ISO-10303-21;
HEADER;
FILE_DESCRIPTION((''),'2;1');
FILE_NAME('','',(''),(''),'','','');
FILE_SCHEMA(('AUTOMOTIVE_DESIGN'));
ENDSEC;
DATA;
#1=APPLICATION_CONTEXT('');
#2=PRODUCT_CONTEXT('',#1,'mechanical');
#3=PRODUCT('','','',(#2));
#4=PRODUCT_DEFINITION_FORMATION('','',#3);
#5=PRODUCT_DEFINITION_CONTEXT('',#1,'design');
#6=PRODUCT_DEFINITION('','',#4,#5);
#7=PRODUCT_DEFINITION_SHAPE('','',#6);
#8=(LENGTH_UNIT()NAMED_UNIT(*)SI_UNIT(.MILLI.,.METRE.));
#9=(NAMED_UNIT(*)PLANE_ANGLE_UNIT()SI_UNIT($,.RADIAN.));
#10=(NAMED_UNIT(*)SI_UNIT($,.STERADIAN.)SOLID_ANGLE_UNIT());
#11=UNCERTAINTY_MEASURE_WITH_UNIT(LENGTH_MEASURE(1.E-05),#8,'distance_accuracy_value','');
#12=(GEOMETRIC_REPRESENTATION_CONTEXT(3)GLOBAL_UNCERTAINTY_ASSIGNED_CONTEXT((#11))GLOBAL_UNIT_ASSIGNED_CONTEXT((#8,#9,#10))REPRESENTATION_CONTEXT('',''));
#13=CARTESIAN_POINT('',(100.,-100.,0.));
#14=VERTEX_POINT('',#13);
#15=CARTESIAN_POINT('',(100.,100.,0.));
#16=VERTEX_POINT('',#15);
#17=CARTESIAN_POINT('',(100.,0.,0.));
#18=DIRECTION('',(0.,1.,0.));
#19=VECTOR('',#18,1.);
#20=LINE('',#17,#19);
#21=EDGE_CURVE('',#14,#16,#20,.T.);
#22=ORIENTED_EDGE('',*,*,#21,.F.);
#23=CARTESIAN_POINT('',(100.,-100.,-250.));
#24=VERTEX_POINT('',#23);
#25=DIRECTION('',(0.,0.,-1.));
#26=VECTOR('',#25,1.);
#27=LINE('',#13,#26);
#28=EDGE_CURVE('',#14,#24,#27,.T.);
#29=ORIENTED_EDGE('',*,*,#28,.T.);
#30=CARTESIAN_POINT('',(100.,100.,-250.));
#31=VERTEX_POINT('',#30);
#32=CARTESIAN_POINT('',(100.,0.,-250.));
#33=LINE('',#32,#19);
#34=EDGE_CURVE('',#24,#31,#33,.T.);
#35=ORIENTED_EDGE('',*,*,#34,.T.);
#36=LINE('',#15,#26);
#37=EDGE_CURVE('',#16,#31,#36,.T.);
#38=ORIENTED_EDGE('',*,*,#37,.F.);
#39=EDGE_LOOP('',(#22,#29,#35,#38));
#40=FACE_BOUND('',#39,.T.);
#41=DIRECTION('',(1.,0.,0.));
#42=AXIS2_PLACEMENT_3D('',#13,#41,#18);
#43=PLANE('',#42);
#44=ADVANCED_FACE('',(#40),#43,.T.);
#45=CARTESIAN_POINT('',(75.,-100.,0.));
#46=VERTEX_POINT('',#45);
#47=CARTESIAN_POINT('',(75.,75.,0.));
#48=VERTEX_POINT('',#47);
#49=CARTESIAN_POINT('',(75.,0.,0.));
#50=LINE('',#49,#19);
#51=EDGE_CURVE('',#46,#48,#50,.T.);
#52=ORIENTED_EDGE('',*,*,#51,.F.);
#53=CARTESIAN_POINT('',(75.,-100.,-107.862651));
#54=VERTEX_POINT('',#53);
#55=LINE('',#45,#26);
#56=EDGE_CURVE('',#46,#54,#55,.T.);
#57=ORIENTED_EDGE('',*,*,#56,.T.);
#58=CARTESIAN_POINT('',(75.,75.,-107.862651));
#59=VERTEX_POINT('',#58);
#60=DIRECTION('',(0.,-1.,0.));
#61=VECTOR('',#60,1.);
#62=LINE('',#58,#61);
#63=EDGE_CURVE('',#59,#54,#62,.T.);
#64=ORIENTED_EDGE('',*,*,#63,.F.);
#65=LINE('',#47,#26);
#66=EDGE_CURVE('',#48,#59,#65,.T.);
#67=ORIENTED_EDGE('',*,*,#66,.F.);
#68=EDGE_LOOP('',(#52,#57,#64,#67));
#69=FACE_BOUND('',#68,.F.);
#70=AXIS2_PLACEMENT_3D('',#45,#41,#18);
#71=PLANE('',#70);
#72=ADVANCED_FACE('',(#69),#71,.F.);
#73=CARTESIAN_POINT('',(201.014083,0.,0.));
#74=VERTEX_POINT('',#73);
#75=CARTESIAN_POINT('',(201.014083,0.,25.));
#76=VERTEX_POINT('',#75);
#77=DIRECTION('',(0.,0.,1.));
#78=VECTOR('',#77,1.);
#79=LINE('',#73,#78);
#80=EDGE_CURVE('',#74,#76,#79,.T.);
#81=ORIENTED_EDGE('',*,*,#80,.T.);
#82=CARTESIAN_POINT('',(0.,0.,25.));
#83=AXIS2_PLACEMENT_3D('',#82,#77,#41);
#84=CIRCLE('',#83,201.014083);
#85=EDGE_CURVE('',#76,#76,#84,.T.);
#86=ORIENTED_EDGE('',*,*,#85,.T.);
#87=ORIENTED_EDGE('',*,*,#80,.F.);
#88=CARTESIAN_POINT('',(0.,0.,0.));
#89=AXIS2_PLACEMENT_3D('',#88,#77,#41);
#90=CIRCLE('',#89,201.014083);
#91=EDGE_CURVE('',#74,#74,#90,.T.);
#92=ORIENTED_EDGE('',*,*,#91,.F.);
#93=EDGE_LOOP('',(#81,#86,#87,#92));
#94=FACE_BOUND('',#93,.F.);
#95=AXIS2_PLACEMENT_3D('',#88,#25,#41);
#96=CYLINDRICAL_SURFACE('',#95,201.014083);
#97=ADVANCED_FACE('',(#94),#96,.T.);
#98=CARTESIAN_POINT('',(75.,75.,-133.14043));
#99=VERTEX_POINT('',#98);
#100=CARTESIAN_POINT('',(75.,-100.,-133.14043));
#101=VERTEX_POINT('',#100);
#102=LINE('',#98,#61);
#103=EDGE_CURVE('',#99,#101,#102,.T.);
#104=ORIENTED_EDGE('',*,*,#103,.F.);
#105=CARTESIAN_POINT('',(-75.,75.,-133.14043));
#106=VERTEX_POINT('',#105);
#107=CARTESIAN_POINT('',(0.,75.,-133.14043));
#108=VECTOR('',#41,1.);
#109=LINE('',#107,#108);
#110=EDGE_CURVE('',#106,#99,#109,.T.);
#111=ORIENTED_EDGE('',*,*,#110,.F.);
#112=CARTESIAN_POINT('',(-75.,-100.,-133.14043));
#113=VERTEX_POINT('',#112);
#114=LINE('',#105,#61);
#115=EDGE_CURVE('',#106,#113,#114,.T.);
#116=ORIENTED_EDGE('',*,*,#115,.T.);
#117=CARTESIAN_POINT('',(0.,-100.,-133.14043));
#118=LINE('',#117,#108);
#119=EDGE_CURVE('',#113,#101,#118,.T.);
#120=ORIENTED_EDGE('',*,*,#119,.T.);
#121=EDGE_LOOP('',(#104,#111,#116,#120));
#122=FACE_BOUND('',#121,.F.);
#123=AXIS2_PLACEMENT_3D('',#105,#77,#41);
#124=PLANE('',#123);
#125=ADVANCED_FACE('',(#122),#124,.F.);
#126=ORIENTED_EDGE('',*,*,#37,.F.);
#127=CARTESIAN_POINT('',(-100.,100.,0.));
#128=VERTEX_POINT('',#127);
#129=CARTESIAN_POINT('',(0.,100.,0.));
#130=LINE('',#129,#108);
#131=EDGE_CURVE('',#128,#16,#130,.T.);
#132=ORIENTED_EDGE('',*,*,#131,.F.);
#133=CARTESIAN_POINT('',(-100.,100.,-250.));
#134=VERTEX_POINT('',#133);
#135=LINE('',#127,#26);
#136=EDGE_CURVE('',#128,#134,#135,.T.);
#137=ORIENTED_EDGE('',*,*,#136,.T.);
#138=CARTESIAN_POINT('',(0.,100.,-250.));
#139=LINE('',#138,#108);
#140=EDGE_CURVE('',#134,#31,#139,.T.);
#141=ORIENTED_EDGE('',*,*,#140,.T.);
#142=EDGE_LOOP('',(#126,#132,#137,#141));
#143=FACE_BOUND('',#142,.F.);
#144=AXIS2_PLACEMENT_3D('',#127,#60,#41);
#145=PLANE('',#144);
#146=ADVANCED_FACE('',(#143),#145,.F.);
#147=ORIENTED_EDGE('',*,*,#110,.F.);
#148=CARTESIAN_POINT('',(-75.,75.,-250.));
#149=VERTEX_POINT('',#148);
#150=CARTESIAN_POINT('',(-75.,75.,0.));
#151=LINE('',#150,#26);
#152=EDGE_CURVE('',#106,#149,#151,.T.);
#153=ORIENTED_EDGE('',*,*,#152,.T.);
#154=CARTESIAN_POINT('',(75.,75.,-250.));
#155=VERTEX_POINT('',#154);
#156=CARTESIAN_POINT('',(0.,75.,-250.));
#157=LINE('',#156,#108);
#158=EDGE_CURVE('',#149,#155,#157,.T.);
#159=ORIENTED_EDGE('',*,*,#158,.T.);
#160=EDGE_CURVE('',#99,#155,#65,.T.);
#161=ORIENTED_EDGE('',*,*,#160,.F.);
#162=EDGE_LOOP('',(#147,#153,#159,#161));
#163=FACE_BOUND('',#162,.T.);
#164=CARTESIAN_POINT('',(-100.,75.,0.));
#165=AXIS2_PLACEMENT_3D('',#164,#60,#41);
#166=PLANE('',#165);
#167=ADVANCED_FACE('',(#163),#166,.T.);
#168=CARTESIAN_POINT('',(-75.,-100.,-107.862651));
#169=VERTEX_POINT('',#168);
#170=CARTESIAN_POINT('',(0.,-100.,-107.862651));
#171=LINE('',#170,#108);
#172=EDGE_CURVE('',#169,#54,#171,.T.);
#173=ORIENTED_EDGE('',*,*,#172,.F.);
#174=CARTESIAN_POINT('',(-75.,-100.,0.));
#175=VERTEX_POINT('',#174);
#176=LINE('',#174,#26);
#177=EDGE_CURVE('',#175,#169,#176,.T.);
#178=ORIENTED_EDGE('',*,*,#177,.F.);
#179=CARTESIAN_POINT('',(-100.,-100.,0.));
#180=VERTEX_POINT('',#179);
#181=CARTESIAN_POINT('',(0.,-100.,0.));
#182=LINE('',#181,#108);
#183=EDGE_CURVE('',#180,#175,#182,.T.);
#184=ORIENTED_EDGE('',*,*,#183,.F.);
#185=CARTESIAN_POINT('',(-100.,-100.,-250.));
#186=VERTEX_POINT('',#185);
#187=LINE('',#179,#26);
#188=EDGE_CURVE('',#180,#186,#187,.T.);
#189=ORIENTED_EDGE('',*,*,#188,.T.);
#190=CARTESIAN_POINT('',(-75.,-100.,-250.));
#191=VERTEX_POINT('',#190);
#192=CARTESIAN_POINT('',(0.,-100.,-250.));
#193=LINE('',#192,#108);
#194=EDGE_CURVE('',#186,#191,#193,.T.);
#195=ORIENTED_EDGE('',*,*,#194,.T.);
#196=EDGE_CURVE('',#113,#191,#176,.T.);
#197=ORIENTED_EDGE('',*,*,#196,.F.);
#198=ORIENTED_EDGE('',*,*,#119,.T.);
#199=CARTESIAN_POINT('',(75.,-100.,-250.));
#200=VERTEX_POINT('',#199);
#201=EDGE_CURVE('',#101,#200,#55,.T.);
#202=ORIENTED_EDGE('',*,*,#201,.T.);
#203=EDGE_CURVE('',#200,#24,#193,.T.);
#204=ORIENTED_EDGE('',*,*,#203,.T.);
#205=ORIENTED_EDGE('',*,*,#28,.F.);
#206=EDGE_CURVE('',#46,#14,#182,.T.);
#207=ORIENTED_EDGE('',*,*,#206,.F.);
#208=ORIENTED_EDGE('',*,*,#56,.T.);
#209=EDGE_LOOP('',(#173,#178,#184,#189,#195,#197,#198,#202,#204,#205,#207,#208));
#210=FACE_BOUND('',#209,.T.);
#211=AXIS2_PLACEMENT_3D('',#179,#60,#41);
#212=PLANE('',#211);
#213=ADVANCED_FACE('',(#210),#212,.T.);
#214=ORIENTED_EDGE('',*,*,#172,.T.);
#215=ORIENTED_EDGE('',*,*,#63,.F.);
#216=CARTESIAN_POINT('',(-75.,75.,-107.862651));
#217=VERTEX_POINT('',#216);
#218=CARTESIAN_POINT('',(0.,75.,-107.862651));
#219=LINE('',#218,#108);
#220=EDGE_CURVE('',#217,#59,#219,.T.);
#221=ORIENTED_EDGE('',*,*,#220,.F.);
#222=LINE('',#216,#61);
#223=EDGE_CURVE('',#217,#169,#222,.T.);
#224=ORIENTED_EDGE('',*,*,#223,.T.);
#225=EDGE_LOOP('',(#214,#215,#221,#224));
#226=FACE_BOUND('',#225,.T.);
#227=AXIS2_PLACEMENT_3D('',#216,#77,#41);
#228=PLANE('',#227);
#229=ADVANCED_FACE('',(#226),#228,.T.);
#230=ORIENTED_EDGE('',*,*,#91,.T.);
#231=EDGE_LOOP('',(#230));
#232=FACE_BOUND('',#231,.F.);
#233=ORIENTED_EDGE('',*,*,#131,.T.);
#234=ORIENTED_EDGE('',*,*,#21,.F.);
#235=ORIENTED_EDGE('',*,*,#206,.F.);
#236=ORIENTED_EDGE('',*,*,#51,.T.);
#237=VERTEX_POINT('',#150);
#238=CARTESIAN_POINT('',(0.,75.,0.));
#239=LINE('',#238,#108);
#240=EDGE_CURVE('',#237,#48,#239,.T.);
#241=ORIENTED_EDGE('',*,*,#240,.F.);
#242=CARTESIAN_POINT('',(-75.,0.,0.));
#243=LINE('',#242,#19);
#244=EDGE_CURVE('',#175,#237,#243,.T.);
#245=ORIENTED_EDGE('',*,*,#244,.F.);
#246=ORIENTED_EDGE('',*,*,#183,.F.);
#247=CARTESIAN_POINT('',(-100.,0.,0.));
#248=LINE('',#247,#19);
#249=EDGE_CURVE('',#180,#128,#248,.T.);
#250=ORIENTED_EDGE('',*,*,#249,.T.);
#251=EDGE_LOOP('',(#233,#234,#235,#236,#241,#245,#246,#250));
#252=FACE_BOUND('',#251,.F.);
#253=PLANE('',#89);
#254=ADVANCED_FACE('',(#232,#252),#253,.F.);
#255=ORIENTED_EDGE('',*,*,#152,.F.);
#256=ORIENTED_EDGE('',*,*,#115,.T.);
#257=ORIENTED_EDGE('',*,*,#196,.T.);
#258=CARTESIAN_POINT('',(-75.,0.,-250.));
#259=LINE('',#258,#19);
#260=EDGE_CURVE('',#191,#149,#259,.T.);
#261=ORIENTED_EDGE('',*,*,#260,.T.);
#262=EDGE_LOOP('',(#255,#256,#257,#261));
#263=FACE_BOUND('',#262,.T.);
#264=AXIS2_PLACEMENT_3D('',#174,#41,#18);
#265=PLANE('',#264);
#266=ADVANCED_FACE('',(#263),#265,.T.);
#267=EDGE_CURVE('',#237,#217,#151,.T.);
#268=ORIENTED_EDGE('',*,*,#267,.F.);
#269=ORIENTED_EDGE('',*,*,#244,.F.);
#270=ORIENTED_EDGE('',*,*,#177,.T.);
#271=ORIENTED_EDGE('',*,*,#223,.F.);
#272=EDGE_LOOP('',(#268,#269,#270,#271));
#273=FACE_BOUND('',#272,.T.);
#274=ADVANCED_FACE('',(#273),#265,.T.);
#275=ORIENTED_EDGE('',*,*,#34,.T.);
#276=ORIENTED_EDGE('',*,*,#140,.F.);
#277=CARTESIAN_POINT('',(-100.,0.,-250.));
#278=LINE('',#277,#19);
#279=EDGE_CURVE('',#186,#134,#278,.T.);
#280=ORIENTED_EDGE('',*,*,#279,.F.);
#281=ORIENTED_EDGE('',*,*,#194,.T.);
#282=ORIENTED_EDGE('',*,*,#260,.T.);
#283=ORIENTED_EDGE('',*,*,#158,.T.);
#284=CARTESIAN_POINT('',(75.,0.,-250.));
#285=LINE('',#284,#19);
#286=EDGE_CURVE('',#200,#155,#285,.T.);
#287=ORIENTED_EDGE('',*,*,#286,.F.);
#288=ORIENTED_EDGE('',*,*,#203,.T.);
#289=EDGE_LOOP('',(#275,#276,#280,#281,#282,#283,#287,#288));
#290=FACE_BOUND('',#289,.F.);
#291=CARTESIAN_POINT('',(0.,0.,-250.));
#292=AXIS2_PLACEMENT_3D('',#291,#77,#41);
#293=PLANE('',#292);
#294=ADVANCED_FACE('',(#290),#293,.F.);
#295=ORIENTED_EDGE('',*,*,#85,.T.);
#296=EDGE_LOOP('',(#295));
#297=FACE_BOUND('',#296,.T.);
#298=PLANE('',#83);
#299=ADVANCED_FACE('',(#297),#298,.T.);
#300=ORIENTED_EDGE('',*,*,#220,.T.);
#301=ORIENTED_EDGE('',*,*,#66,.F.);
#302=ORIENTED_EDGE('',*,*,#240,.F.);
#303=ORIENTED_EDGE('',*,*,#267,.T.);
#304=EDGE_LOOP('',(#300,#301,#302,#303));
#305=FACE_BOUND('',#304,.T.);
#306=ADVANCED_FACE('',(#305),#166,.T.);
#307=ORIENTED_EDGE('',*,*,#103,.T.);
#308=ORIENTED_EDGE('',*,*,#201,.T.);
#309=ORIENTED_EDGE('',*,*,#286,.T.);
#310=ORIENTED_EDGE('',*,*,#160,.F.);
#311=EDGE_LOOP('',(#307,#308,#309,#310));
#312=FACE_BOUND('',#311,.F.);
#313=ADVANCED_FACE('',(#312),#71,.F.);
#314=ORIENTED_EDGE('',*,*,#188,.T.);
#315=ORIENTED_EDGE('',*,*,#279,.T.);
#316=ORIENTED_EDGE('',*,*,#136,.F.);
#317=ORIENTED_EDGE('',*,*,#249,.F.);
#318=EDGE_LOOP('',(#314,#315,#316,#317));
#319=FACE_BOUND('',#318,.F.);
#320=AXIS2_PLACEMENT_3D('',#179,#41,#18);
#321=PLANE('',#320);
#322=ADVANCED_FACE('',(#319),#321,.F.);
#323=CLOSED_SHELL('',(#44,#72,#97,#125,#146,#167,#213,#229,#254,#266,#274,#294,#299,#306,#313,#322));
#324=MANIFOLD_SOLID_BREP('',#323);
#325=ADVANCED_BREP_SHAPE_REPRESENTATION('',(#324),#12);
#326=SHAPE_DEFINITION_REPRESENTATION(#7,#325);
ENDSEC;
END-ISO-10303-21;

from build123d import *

# Parameters (mm, degrees)
F0_W     = 200
F0_H     = 200
F1_DEPTH = 250
F2_T     = -25
F3_W     = 150
F3_H     = 25.2777785063
F4_DEPTH = 175
F5_R     = 201.014082537
F6_DEPTH = 25


with BuildPart() as f1:
    # F0 (on Top) → F1 (new body)
    with BuildSketch(Plane.XY):
        Rectangle(F0_W, F0_H)
    extrude(amount=-F1_DEPTH)

    # F2
    f2_openings = [f1.faces().sort_by_distance(p)[0] for p in [
        (0, -100, -125),
        (0, 0, 0),
        (0, 0, -250),
    ]]
    offset(amount=F2_T, openings=f2_openings)

    # F3 (on face) → F4 (join)
    with BuildSketch(Plane.XZ.offset(-75)):
        with Locations((0, -120.5015406013)):
            Rectangle(F3_W, F3_H)
    extrude(amount=F4_DEPTH)

    # F5 (on face) → F6 (join)
    with BuildSketch(Plane.XY):
        Circle(F5_R)
        Polygon((-75, -100), (-100, -100), (-100, 100), (100, 100), (100, -100), (75, -100), (75, 75), (-75, 75), align=None, mode=Mode.SUBTRACT)
        Polygon((-100, 100), (-100, -100), (-75, -100), (-75, 75), (75, 75), (75, -100), (100, -100), (100, 100), align=None)
    extrude(amount=F6_DEPTH)


solid = f1.part
